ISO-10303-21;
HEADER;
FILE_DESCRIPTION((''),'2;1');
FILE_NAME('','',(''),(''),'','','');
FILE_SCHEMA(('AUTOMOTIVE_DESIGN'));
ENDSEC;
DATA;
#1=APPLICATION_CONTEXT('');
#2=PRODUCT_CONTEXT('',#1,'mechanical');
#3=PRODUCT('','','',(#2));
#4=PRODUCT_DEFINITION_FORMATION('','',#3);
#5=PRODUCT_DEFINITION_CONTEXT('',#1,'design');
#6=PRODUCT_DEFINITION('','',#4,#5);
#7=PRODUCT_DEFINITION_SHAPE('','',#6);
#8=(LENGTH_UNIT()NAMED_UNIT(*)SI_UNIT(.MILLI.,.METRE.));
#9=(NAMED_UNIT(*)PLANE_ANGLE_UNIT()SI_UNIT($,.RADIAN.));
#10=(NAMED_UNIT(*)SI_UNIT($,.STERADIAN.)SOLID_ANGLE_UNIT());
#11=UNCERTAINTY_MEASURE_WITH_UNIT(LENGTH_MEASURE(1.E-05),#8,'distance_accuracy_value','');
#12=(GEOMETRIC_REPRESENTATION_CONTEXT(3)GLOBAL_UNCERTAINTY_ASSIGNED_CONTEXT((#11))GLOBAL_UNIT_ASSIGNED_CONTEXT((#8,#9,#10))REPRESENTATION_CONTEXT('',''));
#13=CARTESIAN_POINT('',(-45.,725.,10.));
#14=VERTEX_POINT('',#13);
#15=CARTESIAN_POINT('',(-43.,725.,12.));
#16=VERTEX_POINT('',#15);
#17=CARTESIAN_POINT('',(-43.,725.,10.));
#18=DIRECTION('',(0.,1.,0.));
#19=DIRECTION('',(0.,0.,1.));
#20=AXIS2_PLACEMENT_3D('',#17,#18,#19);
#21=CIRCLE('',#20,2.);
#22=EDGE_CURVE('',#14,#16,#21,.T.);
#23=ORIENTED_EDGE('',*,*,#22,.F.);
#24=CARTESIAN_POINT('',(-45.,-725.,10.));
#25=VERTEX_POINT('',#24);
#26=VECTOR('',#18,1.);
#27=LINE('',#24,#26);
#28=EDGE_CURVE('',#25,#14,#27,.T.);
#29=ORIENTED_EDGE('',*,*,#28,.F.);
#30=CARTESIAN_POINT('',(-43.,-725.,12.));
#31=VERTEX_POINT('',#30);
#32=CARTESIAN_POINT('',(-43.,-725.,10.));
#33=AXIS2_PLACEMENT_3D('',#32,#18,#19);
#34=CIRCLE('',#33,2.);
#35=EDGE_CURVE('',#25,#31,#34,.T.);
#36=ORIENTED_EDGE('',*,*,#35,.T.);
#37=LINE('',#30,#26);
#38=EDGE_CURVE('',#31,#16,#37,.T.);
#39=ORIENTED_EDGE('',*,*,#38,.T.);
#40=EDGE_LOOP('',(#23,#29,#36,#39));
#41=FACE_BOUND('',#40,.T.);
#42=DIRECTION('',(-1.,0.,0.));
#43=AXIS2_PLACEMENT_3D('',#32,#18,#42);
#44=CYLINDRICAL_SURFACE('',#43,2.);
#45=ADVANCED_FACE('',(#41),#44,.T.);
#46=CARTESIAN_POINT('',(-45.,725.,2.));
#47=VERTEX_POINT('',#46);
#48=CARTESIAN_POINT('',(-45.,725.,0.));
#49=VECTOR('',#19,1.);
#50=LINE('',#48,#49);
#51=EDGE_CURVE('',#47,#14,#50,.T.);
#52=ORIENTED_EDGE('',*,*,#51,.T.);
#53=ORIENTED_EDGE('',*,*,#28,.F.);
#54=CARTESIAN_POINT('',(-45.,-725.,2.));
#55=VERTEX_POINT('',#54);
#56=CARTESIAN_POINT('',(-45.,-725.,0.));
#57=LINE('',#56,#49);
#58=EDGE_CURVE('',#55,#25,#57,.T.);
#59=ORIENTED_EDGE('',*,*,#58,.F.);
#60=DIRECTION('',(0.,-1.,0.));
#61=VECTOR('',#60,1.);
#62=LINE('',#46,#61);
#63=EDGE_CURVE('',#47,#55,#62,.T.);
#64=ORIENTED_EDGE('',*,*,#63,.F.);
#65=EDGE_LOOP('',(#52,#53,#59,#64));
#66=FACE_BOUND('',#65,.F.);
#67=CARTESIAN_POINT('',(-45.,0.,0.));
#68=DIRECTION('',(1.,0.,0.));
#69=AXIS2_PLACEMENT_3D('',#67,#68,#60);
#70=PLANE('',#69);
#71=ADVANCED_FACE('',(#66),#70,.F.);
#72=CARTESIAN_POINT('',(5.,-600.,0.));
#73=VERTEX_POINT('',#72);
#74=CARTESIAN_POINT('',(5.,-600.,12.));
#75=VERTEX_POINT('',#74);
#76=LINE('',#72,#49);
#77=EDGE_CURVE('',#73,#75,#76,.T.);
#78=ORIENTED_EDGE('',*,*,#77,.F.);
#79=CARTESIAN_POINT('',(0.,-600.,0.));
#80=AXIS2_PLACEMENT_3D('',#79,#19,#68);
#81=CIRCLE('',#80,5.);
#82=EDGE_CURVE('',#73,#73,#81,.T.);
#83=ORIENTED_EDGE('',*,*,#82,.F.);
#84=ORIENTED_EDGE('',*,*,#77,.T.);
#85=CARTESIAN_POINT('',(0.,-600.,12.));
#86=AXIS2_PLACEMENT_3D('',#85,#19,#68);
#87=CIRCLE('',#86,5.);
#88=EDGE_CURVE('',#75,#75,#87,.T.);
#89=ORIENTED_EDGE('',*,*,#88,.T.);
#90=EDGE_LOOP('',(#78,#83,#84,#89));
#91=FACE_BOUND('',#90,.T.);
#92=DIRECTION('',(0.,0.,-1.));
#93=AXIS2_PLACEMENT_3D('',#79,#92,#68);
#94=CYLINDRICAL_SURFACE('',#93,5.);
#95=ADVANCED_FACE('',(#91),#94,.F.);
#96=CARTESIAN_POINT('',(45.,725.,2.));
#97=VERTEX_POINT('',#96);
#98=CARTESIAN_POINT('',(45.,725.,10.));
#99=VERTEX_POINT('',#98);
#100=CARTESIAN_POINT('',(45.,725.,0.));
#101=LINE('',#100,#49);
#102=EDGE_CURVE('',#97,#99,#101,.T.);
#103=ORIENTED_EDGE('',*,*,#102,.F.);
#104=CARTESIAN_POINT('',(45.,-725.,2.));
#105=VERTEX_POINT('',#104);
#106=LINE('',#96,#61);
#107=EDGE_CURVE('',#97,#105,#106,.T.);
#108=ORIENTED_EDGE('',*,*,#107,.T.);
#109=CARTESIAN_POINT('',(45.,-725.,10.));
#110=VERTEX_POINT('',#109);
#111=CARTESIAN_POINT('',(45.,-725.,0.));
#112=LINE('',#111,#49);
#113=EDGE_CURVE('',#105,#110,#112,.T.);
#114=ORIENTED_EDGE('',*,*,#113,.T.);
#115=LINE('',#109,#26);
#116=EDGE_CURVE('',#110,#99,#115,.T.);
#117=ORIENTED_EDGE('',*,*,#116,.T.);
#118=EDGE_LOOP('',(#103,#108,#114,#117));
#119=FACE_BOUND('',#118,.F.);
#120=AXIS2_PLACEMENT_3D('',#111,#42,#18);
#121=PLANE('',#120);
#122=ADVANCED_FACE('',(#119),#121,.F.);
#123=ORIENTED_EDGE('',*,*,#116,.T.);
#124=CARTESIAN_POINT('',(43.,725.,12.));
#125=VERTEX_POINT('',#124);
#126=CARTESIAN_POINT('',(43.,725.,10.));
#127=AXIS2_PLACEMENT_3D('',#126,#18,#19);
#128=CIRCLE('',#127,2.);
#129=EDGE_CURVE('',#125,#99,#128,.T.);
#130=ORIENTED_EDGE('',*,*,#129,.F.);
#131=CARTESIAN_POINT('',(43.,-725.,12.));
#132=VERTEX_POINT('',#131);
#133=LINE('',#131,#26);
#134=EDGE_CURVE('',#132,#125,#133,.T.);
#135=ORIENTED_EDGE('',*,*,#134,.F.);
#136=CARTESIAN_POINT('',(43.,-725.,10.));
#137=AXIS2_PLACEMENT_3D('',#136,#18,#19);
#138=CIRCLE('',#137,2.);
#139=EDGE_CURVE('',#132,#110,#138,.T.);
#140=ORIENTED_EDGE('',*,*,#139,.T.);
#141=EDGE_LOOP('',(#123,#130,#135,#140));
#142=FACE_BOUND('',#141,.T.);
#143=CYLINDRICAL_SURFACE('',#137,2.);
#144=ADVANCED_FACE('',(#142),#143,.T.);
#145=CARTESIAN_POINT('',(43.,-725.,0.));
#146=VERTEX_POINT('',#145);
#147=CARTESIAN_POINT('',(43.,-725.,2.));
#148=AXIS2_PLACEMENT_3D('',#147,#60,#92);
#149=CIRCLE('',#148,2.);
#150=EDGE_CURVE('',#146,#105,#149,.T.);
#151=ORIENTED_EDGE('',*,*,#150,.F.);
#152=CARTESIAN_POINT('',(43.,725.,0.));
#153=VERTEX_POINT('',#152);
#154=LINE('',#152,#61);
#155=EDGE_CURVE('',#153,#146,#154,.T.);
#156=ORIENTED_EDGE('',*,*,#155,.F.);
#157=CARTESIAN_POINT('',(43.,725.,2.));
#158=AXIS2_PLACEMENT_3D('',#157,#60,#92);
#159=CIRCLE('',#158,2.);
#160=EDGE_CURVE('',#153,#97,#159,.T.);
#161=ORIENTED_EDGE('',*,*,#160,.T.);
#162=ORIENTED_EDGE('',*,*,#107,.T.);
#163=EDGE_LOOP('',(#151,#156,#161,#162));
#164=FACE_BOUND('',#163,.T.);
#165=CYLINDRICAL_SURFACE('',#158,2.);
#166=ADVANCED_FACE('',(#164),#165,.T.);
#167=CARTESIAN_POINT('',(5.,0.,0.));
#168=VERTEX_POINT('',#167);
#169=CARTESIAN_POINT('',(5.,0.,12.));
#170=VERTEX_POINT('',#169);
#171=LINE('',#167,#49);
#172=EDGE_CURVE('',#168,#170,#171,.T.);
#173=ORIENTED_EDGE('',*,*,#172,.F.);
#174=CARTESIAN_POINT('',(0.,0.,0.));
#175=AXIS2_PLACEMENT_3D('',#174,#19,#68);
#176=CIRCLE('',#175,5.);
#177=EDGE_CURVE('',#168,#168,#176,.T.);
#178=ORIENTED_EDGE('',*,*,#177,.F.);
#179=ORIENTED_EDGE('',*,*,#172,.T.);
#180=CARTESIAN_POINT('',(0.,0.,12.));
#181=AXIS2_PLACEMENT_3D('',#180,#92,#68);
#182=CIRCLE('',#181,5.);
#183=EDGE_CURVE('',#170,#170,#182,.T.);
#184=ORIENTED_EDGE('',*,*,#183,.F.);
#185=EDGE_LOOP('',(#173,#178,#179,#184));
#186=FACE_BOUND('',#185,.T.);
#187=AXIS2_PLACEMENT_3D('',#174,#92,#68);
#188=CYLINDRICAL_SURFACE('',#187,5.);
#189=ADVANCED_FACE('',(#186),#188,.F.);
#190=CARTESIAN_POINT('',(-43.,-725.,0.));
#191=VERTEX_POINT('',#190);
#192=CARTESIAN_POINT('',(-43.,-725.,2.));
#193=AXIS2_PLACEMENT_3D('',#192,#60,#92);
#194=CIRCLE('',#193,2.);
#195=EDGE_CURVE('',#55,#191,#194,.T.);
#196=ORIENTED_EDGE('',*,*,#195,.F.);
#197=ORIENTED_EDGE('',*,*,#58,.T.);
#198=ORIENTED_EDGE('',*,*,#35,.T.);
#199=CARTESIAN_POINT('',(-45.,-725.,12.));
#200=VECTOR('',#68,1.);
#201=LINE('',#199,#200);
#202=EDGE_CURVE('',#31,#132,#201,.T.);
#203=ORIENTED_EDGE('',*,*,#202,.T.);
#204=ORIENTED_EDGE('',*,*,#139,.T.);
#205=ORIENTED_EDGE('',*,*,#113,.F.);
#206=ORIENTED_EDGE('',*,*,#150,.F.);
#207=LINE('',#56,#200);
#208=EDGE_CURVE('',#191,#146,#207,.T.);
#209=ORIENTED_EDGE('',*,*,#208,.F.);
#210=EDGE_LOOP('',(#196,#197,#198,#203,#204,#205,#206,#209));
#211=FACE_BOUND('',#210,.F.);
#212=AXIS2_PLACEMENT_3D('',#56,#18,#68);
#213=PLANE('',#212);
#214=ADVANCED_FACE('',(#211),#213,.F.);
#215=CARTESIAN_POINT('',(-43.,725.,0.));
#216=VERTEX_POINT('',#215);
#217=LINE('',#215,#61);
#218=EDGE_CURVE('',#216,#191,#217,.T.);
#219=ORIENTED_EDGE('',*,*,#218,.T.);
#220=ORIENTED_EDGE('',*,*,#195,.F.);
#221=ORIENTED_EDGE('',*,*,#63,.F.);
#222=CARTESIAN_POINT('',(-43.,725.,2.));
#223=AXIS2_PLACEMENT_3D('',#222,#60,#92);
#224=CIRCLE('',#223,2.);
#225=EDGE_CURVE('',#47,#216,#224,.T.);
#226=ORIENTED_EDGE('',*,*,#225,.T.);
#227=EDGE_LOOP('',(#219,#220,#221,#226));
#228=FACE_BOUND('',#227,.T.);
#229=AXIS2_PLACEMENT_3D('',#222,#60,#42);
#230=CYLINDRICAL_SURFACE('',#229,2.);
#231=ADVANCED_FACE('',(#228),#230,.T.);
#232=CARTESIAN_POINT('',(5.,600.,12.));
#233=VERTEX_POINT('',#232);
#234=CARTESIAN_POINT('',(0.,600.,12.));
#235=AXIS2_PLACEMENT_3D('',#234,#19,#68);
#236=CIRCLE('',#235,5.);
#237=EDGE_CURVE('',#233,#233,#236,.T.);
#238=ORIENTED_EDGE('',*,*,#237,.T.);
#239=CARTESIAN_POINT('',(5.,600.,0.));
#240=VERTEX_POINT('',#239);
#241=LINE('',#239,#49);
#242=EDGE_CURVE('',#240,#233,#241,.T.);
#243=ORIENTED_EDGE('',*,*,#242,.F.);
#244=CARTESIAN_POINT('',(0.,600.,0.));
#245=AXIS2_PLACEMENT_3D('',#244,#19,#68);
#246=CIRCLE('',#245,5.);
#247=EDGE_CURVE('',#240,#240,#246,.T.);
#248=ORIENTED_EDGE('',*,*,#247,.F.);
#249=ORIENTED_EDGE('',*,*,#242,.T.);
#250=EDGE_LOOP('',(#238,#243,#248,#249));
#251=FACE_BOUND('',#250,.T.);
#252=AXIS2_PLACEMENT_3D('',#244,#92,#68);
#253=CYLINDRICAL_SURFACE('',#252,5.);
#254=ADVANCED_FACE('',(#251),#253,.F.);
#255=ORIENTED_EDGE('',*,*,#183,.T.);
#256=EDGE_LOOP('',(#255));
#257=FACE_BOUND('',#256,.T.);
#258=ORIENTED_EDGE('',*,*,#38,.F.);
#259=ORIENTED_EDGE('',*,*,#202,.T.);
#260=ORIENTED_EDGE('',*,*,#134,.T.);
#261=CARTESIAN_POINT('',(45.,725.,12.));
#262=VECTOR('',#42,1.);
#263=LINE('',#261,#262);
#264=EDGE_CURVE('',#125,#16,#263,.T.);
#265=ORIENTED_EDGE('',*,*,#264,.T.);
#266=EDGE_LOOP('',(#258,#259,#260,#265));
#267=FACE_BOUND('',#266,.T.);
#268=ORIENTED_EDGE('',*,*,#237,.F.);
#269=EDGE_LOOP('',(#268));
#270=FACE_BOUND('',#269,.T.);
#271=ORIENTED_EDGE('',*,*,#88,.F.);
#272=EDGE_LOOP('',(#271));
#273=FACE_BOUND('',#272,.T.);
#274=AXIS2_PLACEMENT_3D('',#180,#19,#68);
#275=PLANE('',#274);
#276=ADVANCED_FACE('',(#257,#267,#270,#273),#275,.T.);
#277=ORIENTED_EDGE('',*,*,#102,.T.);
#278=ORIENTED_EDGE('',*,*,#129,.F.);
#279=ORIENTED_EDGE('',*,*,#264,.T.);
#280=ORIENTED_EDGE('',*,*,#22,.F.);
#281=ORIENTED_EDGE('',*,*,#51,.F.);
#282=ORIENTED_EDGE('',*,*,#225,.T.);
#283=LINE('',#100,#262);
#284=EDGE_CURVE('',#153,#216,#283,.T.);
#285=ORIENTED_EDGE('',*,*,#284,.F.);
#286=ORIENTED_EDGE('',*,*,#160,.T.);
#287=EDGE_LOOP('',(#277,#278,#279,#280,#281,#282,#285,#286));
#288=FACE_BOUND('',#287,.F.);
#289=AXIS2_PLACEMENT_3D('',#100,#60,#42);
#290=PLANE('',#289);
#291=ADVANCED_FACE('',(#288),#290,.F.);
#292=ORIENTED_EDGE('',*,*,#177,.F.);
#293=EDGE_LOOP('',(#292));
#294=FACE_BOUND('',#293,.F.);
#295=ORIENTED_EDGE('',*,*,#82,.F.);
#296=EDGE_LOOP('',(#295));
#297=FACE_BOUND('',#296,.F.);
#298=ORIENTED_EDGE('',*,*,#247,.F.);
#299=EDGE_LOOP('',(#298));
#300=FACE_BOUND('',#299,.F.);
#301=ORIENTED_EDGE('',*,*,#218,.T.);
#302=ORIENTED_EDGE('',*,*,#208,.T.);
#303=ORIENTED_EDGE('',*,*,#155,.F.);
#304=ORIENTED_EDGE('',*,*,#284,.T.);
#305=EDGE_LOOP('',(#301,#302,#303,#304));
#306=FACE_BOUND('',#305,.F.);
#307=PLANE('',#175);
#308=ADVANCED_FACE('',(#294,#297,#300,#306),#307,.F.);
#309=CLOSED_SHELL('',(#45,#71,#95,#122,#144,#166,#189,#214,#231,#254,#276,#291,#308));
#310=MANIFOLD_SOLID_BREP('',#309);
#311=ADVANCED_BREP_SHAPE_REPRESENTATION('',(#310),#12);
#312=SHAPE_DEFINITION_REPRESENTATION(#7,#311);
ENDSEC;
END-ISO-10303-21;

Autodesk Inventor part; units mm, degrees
ref_plane "YZ Plane" through (0, 0, 0) normal (1, 0, 0) x (0, 1, 0)
ref_plane "XZ Plane" through (0, 0, 0) normal (0, 1, 0) x (-1, 0, 0)
ref_plane "Work Plane1" through (0, 0, 0) normal (0, 0, 1) x (1, 0, 0)
sketch "Sketch1" plane through (0, 0, 0) normal (0, 0, 1) x (1, 0, 0)
  line L0 (-45, -725) -> (45, -725)
  line L1 (45, -725) -> (45, 725)
  line L2 (45, 725) -> (-45, 725)
  line L3 (-45, 725) -> (-45, -725)
  line L4 (-385, 0) -> (385, 0) projected
  line L5 (0, -725) -> (0, 725) construction
  circle A0 centre (0, 0) radius 5
  circle A1 centre (0, -600) radius 5
  circle A2 centre (0, 600) radius 5
  circle A3 centre (240, -0.5) radius 5 construction
  circle A4 centre (120, -0.5) radius 5 construction
  circle A5 centre (-120, -0.5) radius 5 construction
  circle A6 centre (-240, -0.5) radius 5 construction
  circle A7 centre (0, -0.5) radius 5 construction
  line L6 (-275, -23) -> (275, -23) construction
  line L7 (275, 23) -> (275, -23) construction
  line L8 (275, 23) -> (-275, 23) construction
  line L9 (-275, -23) -> (-275, 23) construction
  point P0 (0, 0)
  point P1 (-45, 0)
  dimension "d0" = 90
  dimension "d1" = 1450
  dimension "d2" = 10
  dimension "d3" = 10
  dimension "d4" = 10
  dimension "d5" = 600
  dimension "d6" = 600
extrude "Extrusion1" add sketch "Sketch1" along normal blind 12 contours L3 L4 A0 L1 L0 | L3 L2 L1 L4 A0
fillet "Fillet1" radius 2 6 edges at (-45, -362.5, 12) (-45, 362.5, 12) (-45, -362.5, 0) (-45, 362.5, 0) (45, 0, 12) (45, 0, 0)
equation "\"d5\" = d6"
properties part number "doga_long1" material "Wood (Oak)"
